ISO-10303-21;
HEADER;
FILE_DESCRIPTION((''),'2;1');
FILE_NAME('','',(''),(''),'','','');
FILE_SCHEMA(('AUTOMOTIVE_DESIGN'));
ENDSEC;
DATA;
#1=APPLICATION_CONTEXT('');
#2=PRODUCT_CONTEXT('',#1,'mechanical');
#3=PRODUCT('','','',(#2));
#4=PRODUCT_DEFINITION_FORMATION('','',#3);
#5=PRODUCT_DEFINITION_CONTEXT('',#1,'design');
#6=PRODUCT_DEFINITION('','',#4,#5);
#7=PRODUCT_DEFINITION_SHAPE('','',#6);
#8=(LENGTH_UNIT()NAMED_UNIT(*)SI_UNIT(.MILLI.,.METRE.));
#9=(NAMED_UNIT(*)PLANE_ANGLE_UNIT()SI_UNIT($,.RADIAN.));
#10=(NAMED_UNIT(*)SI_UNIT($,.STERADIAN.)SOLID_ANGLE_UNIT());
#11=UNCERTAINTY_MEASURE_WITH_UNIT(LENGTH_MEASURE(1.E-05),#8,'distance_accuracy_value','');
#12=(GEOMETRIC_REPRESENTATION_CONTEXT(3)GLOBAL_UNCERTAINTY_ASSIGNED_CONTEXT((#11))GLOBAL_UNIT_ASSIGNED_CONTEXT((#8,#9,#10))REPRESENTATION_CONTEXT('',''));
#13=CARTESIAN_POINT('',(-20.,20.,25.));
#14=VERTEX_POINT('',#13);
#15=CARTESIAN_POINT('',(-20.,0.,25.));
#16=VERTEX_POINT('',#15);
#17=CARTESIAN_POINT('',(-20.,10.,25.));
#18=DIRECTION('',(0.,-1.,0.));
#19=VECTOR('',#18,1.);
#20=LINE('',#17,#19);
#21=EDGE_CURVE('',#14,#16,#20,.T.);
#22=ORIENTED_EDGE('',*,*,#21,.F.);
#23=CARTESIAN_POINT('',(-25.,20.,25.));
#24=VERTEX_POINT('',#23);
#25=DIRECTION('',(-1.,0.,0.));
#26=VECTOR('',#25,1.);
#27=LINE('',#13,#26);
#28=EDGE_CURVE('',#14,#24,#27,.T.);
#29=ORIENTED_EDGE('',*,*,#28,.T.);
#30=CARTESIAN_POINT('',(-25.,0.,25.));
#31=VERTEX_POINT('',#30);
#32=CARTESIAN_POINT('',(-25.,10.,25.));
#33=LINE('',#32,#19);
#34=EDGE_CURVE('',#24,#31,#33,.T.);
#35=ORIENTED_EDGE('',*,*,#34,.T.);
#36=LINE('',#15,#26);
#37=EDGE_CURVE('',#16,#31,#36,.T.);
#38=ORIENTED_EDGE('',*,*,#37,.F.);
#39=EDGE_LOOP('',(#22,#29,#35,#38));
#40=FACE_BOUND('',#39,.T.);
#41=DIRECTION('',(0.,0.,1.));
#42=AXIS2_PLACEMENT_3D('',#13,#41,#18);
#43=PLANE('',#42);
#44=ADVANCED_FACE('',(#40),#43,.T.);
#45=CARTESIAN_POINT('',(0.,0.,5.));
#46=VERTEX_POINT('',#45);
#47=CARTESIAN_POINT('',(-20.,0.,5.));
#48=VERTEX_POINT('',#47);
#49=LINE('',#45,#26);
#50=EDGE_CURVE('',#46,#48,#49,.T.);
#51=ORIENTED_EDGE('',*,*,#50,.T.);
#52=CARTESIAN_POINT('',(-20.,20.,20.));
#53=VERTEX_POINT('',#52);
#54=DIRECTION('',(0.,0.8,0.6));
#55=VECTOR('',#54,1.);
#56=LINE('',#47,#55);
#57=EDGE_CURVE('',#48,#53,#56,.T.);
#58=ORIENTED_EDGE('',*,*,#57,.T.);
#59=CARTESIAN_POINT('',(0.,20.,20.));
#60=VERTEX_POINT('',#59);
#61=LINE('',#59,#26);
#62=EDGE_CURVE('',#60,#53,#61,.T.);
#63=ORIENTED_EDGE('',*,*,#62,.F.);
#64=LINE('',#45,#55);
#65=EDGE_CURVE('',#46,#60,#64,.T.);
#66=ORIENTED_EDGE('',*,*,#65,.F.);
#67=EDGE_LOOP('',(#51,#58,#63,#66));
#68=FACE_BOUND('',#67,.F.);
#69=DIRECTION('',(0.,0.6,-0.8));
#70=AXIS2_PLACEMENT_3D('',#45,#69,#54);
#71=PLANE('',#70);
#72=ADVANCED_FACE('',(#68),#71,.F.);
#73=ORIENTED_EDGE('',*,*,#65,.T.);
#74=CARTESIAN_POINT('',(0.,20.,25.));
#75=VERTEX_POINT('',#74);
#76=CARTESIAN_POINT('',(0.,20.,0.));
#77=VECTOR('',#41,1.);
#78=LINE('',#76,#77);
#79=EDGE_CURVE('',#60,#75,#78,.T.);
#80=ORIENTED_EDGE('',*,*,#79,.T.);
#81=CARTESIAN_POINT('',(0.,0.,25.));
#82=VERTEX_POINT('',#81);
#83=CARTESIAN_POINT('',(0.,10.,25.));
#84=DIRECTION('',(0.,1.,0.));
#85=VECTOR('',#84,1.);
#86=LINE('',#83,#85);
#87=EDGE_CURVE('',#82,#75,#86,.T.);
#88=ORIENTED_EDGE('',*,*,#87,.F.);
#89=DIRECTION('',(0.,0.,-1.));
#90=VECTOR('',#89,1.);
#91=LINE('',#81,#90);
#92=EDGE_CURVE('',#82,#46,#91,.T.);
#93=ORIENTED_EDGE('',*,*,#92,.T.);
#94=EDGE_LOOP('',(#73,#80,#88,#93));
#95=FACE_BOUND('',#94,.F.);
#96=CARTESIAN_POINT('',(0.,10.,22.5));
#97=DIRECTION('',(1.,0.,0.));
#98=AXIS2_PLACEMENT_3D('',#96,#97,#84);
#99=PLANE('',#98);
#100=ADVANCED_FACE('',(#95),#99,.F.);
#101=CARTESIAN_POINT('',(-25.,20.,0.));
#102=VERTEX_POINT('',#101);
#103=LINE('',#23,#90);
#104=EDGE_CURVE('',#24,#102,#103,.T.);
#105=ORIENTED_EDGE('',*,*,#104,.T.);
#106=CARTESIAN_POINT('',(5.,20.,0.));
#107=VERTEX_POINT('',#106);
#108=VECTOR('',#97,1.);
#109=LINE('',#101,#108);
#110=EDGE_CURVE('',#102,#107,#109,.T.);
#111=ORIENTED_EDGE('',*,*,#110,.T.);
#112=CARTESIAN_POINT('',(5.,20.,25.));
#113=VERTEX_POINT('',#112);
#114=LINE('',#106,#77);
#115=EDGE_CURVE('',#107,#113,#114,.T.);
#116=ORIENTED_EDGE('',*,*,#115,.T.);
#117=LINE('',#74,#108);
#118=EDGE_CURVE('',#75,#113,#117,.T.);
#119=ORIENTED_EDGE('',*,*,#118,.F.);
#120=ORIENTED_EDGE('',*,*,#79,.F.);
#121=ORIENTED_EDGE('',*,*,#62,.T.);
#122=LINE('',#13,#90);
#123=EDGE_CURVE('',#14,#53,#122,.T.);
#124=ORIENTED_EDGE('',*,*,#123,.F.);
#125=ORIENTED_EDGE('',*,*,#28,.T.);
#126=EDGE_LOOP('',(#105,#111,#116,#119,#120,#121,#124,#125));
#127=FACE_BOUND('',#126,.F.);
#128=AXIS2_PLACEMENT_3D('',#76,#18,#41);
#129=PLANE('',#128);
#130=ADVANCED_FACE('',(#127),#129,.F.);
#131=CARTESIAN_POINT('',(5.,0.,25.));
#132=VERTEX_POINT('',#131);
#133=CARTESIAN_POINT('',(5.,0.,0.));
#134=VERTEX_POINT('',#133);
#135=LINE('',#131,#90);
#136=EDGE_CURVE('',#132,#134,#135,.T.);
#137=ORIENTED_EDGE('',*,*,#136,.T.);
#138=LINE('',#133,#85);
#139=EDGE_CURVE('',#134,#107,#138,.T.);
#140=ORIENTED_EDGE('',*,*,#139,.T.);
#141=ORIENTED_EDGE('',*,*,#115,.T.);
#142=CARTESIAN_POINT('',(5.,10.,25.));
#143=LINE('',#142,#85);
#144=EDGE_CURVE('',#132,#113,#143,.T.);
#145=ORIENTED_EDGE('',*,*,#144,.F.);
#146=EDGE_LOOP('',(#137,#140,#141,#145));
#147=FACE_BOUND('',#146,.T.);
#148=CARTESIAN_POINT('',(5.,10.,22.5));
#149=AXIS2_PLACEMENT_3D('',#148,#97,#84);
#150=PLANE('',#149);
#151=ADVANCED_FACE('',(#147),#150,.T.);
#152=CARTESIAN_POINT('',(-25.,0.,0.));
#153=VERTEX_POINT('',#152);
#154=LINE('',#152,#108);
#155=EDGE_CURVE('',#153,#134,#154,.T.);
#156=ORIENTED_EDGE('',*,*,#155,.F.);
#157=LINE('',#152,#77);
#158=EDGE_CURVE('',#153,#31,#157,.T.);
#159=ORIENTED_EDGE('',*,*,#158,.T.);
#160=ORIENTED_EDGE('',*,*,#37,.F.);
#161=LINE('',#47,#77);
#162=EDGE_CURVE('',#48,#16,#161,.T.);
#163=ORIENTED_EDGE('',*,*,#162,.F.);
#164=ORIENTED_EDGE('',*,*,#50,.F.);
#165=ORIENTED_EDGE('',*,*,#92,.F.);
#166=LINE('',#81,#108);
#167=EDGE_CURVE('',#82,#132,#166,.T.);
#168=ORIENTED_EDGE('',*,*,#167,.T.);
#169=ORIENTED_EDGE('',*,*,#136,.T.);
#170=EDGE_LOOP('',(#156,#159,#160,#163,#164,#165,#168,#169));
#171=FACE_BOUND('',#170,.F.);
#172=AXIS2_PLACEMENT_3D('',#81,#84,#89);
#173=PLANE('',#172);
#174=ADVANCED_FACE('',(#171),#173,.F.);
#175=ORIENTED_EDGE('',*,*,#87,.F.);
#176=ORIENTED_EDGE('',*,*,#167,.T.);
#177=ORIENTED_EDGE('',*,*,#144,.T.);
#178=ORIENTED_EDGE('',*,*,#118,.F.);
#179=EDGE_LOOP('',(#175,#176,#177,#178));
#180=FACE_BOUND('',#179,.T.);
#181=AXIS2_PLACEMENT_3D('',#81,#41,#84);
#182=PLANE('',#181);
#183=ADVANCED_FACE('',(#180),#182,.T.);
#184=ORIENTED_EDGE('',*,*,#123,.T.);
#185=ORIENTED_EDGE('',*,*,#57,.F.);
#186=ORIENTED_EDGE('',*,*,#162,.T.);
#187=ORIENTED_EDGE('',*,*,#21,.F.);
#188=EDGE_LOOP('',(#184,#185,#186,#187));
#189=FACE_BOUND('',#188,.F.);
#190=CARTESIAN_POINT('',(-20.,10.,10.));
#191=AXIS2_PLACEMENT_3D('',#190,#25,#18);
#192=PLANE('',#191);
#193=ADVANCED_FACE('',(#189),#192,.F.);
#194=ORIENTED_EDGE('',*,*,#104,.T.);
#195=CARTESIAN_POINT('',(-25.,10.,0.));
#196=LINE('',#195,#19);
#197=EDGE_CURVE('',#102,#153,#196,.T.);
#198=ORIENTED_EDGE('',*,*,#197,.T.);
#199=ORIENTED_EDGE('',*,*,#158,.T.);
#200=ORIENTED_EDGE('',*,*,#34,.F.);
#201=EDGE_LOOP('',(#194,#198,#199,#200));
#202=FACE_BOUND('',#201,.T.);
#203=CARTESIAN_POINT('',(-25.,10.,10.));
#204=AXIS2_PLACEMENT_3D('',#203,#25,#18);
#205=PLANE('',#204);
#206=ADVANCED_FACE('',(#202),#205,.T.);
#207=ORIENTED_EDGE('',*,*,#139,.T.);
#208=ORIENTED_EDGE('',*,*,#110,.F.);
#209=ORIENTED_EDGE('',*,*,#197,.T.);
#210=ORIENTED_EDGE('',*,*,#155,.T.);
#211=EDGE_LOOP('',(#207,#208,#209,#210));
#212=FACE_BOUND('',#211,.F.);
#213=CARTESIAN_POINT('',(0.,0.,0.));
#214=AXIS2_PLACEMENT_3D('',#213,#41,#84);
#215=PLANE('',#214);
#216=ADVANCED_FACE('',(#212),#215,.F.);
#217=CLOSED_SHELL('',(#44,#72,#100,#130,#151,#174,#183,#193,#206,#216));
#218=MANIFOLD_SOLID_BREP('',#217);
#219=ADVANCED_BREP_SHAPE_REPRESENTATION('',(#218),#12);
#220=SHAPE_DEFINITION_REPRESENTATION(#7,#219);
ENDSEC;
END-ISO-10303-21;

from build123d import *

# Parameters (mm, degrees)
F0_W     = 20
F0_H     = 20
F1_DEPTH = 20
F3_W     = 20
F3_H     = 20
F3_H_2   = 5
F4_DEPTH = 5
F5_DEPTH = 20
F2_W     = 20
F2_H     = 5
F6_DEPTH = 5


with BuildPart() as f1:
    # F0 (on Right) → F1 (new body)
    with BuildSketch(Plane.YZ):
        with Locations((10, 10)):
            Rectangle(F0_W, F0_H)
    extrude(amount=-F1_DEPTH)

    # F3 (on face) → F4 (join)
    with BuildSketch(Plane(origin=(-20, 0, 0), x_dir=(0, -1, 0), z_dir=(-1, 0, 0))):
        with Locations((-10, 10)):
            Rectangle(F3_W, F3_H)
        with Locations((-10, 22.5)):
            Rectangle(F3_W, F3_H_2)
    extrude(amount=F4_DEPTH)

    # F2 (on face) → F5 (cut)
    with BuildSketch(Plane.YZ):
        Polygon((0, 5), (20, 20), (0, 20), align=None)
    extrude(amount=-F5_DEPTH, mode=Mode.SUBTRACT)

    # F2 (on face) → F6 (join)
    with BuildSketch(Plane.YZ):
        with Locations((10, 22.5)):
            Rectangle(F2_W, F2_H)
        Polygon((0, 5), (20, 20), (0, 20), align=None)
        Polygon((0, 0), (20, 0), (20, 20), (0, 5), align=None)
    extrude(amount=F6_DEPTH)


solid = f1.part
